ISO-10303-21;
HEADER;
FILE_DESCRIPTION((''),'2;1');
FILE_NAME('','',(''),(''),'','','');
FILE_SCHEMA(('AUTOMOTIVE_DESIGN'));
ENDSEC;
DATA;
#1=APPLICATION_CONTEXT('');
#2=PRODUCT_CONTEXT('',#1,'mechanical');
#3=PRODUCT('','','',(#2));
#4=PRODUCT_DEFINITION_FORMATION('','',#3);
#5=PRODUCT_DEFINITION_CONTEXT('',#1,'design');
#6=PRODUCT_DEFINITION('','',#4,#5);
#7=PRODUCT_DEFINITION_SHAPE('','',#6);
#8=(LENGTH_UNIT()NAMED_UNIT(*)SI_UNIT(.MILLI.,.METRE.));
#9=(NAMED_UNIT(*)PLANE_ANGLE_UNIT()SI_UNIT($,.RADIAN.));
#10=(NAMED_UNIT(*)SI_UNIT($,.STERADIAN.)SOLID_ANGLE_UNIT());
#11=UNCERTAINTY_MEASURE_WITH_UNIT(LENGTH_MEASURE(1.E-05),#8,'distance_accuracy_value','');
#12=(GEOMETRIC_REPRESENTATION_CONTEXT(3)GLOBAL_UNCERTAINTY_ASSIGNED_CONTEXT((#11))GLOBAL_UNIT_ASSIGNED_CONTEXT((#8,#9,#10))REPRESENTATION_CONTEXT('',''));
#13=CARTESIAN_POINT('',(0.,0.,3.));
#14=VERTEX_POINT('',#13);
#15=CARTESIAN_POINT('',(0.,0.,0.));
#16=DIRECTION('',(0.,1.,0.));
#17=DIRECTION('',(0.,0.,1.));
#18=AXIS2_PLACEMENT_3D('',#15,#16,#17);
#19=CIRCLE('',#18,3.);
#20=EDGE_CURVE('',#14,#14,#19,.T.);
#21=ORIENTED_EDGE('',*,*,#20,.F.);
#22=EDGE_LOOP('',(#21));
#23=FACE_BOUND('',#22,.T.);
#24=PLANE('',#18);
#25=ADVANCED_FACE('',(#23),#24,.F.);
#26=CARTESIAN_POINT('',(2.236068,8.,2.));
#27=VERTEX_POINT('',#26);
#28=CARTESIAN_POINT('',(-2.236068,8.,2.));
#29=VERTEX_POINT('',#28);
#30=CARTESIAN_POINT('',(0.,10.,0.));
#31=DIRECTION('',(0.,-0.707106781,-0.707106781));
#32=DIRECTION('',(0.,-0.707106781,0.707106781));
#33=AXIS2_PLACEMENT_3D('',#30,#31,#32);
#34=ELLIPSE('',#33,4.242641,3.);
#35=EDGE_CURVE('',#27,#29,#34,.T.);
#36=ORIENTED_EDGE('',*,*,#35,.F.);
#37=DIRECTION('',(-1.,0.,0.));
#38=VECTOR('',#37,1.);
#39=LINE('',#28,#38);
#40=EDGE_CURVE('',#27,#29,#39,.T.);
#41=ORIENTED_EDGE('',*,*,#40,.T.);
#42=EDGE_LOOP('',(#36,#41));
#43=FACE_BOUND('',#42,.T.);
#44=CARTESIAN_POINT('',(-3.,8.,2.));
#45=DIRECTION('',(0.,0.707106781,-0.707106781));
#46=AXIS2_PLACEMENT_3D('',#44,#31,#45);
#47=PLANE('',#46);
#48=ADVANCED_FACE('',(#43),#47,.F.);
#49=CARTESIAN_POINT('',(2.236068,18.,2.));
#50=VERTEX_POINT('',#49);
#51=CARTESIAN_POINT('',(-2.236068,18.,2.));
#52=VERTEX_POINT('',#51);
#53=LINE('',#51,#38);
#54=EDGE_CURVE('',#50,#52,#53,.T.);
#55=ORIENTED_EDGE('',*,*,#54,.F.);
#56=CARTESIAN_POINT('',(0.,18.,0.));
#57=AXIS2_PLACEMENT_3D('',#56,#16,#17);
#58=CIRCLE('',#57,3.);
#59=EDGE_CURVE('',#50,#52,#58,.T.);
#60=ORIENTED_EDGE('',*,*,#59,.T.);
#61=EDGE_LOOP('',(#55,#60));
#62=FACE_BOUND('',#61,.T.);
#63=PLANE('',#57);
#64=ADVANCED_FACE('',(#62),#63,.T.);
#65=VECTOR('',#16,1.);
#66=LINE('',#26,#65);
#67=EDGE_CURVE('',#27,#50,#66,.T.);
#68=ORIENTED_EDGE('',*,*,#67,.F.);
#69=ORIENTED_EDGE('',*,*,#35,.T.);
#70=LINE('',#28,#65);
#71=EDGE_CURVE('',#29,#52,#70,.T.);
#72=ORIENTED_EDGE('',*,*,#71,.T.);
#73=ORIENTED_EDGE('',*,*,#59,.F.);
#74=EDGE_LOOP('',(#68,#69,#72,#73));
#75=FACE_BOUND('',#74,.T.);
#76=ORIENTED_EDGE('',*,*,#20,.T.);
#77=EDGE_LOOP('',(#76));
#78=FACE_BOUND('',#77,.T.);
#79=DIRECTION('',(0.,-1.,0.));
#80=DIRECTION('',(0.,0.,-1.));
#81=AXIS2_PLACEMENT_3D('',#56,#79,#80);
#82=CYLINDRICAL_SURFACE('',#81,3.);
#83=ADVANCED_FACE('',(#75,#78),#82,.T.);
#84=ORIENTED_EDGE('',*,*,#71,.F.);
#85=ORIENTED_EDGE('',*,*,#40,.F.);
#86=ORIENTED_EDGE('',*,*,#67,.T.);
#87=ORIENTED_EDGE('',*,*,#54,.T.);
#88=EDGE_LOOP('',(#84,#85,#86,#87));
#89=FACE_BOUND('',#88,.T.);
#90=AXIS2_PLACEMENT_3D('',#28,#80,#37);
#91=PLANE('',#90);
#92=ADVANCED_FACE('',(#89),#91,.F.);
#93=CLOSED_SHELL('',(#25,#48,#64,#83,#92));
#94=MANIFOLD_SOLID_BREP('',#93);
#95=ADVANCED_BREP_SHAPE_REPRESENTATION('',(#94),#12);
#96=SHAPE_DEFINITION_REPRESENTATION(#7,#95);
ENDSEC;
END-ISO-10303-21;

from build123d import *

# Parameters (mm, degrees)
SKETCH1_R               = 3
BOSS_EXTRUDE1_DEPTH     = 18
CUT_EXTRUDE1_START      = -10
CUT_EXTRUDE1_DEPTH      = 10
CUT_EXTRUDE2_DEPTH      = 19.493242009
CUT_EXTRUDE2_DEPTH_BACK = 19.493242009


with BuildPart() as part:
    # Sketch1 → Boss-Extrude1 (new body)
    with BuildSketch(Plane(origin=(0, 0, 0), x_dir=(1, 0, 0), z_dir=(0, 1, 0))):
        with Locations(Location((0, 0, 0), (0, 0, 270))):
            Circle(SKETCH1_R)
    extrude(amount=BOSS_EXTRUDE1_DEPTH)

    # Sketch2 → Cut-Extrude1 (cut)
    with BuildSketch(Plane(origin=(0, 18, 0), x_dir=(1, 0, 0), z_dir=(0, 1, 0)).offset(CUT_EXTRUDE1_START)):
        with BuildLine():
            Line((-2.236067977, -2), (2.236067977, -2))
            ThreePointArc((2.236067977, -2), (0, -3), (-2.236067977, -2))
        make_face()
    extrude(amount=CUT_EXTRUDE1_DEPTH, mode=Mode.SUBTRACT)

    # Sketch3 → Cut-Extrude2 (cut, two sides: drawn at the far end of the back side and taken through both)
    with BuildSketch(Plane(origin=(0, 0, 0), x_dir=(0, 0, -1), z_dir=(1, 0, 0)).offset(-CUT_EXTRUDE2_DEPTH_BACK)):
        Polygon((-2, 8), (-3, 7), (-3, 8), align=None)
    extrude(amount=CUT_EXTRUDE2_DEPTH + CUT_EXTRUDE2_DEPTH_BACK, mode=Mode.SUBTRACT)


solid = part.part
